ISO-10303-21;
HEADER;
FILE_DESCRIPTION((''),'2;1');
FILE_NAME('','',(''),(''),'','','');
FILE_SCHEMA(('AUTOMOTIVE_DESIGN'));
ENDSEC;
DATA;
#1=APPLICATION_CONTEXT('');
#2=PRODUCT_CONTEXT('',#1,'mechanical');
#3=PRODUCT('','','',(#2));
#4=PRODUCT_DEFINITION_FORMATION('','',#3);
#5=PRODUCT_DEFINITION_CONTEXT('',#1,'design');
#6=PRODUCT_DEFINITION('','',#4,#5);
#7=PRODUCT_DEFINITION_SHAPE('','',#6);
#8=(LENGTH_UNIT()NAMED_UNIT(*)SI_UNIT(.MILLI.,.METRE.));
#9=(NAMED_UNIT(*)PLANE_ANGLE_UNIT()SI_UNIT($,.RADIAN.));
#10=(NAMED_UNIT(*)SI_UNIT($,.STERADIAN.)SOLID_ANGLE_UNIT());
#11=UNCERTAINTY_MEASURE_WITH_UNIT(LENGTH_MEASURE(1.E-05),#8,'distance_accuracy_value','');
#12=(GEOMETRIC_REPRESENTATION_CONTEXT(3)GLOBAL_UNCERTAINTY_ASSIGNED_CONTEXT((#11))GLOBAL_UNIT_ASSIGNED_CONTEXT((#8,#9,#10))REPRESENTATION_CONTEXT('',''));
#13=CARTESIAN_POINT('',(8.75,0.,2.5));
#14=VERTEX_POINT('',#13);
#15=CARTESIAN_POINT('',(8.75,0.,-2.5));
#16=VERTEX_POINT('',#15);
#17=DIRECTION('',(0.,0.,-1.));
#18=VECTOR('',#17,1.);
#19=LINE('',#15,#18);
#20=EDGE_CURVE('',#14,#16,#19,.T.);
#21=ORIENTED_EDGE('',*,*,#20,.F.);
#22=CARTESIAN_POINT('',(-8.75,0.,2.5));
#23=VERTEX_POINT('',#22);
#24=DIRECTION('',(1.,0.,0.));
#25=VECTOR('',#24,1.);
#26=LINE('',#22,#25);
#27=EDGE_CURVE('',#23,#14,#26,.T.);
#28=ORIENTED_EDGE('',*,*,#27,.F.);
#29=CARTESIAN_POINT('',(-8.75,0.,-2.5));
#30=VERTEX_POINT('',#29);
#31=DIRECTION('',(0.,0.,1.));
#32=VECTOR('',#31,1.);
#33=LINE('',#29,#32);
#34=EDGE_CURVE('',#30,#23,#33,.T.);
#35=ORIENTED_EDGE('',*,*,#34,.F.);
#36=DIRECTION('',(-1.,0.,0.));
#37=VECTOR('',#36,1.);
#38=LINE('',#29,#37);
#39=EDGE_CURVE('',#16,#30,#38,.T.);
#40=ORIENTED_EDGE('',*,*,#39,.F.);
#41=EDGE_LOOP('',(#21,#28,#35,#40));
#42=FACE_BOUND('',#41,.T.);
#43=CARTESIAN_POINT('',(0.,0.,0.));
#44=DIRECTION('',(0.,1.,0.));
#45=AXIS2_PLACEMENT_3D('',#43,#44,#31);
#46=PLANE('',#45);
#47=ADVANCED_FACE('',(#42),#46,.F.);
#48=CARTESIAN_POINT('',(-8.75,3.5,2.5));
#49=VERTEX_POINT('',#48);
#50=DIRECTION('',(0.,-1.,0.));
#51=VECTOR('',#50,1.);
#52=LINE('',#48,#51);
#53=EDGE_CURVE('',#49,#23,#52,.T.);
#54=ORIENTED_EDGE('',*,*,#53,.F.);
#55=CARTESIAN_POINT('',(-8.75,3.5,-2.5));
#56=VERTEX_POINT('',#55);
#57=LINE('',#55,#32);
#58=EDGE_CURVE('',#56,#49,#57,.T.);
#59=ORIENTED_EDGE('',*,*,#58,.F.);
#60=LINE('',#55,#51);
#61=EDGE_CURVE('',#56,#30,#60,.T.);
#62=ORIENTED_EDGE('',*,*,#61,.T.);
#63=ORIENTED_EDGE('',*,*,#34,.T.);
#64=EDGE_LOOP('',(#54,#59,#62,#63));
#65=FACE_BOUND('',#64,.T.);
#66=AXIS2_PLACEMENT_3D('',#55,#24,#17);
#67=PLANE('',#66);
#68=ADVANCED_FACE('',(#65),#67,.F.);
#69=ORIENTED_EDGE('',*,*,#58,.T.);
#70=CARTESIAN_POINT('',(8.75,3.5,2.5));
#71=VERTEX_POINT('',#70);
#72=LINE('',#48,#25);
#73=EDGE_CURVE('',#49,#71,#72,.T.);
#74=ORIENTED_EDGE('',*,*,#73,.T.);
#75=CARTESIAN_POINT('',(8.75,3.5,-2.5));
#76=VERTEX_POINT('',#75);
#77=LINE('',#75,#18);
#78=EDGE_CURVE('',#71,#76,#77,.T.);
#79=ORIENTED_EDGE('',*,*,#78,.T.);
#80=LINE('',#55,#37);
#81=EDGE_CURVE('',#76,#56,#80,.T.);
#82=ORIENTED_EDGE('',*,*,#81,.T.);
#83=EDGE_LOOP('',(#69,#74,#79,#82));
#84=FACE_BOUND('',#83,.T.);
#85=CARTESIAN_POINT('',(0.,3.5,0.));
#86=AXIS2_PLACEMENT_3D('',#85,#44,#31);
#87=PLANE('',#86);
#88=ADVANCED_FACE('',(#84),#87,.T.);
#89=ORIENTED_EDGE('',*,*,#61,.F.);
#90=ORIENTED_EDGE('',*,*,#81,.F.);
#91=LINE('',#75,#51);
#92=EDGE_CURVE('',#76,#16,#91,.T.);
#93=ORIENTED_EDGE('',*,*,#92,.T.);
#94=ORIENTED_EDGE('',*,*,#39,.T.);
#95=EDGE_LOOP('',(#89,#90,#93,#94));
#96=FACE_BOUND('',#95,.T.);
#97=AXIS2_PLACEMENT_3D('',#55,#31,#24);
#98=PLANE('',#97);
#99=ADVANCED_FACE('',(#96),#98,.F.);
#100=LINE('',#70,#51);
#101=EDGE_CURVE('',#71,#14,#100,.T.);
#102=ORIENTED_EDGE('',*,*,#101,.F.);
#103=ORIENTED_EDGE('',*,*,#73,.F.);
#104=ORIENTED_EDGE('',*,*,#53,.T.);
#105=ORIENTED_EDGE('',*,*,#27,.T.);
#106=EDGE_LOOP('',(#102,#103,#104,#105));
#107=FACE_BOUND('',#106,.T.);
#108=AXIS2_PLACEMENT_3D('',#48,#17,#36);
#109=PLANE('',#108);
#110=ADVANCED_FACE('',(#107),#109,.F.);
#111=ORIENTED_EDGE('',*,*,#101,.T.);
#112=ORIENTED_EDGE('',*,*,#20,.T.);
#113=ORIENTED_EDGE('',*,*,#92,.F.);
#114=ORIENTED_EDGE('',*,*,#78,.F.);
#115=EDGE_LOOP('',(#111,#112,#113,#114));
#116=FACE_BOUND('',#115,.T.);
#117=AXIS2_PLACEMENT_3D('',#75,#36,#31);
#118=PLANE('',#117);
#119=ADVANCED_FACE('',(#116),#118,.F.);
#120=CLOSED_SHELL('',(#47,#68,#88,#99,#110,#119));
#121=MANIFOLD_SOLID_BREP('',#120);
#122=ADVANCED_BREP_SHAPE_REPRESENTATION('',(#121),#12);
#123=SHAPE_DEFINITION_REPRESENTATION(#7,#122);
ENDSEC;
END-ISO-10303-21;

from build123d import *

# Parameters (mm, degrees)
SKETCH_1_W      = 17.5
SKETCH_1_H      = 5
EXTRUDE_1_DEPTH = 3.5


with BuildPart() as part:
    # 草图1 → 凸台-拉伸1 (new body)
    with BuildSketch(Plane(origin=(0, 0, 0), x_dir=(1, 0, 0), z_dir=(0, 1, 0))):
        Rectangle(SKETCH_1_W, SKETCH_1_H)
    extrude(amount=EXTRUDE_1_DEPTH)


solid = part.part
